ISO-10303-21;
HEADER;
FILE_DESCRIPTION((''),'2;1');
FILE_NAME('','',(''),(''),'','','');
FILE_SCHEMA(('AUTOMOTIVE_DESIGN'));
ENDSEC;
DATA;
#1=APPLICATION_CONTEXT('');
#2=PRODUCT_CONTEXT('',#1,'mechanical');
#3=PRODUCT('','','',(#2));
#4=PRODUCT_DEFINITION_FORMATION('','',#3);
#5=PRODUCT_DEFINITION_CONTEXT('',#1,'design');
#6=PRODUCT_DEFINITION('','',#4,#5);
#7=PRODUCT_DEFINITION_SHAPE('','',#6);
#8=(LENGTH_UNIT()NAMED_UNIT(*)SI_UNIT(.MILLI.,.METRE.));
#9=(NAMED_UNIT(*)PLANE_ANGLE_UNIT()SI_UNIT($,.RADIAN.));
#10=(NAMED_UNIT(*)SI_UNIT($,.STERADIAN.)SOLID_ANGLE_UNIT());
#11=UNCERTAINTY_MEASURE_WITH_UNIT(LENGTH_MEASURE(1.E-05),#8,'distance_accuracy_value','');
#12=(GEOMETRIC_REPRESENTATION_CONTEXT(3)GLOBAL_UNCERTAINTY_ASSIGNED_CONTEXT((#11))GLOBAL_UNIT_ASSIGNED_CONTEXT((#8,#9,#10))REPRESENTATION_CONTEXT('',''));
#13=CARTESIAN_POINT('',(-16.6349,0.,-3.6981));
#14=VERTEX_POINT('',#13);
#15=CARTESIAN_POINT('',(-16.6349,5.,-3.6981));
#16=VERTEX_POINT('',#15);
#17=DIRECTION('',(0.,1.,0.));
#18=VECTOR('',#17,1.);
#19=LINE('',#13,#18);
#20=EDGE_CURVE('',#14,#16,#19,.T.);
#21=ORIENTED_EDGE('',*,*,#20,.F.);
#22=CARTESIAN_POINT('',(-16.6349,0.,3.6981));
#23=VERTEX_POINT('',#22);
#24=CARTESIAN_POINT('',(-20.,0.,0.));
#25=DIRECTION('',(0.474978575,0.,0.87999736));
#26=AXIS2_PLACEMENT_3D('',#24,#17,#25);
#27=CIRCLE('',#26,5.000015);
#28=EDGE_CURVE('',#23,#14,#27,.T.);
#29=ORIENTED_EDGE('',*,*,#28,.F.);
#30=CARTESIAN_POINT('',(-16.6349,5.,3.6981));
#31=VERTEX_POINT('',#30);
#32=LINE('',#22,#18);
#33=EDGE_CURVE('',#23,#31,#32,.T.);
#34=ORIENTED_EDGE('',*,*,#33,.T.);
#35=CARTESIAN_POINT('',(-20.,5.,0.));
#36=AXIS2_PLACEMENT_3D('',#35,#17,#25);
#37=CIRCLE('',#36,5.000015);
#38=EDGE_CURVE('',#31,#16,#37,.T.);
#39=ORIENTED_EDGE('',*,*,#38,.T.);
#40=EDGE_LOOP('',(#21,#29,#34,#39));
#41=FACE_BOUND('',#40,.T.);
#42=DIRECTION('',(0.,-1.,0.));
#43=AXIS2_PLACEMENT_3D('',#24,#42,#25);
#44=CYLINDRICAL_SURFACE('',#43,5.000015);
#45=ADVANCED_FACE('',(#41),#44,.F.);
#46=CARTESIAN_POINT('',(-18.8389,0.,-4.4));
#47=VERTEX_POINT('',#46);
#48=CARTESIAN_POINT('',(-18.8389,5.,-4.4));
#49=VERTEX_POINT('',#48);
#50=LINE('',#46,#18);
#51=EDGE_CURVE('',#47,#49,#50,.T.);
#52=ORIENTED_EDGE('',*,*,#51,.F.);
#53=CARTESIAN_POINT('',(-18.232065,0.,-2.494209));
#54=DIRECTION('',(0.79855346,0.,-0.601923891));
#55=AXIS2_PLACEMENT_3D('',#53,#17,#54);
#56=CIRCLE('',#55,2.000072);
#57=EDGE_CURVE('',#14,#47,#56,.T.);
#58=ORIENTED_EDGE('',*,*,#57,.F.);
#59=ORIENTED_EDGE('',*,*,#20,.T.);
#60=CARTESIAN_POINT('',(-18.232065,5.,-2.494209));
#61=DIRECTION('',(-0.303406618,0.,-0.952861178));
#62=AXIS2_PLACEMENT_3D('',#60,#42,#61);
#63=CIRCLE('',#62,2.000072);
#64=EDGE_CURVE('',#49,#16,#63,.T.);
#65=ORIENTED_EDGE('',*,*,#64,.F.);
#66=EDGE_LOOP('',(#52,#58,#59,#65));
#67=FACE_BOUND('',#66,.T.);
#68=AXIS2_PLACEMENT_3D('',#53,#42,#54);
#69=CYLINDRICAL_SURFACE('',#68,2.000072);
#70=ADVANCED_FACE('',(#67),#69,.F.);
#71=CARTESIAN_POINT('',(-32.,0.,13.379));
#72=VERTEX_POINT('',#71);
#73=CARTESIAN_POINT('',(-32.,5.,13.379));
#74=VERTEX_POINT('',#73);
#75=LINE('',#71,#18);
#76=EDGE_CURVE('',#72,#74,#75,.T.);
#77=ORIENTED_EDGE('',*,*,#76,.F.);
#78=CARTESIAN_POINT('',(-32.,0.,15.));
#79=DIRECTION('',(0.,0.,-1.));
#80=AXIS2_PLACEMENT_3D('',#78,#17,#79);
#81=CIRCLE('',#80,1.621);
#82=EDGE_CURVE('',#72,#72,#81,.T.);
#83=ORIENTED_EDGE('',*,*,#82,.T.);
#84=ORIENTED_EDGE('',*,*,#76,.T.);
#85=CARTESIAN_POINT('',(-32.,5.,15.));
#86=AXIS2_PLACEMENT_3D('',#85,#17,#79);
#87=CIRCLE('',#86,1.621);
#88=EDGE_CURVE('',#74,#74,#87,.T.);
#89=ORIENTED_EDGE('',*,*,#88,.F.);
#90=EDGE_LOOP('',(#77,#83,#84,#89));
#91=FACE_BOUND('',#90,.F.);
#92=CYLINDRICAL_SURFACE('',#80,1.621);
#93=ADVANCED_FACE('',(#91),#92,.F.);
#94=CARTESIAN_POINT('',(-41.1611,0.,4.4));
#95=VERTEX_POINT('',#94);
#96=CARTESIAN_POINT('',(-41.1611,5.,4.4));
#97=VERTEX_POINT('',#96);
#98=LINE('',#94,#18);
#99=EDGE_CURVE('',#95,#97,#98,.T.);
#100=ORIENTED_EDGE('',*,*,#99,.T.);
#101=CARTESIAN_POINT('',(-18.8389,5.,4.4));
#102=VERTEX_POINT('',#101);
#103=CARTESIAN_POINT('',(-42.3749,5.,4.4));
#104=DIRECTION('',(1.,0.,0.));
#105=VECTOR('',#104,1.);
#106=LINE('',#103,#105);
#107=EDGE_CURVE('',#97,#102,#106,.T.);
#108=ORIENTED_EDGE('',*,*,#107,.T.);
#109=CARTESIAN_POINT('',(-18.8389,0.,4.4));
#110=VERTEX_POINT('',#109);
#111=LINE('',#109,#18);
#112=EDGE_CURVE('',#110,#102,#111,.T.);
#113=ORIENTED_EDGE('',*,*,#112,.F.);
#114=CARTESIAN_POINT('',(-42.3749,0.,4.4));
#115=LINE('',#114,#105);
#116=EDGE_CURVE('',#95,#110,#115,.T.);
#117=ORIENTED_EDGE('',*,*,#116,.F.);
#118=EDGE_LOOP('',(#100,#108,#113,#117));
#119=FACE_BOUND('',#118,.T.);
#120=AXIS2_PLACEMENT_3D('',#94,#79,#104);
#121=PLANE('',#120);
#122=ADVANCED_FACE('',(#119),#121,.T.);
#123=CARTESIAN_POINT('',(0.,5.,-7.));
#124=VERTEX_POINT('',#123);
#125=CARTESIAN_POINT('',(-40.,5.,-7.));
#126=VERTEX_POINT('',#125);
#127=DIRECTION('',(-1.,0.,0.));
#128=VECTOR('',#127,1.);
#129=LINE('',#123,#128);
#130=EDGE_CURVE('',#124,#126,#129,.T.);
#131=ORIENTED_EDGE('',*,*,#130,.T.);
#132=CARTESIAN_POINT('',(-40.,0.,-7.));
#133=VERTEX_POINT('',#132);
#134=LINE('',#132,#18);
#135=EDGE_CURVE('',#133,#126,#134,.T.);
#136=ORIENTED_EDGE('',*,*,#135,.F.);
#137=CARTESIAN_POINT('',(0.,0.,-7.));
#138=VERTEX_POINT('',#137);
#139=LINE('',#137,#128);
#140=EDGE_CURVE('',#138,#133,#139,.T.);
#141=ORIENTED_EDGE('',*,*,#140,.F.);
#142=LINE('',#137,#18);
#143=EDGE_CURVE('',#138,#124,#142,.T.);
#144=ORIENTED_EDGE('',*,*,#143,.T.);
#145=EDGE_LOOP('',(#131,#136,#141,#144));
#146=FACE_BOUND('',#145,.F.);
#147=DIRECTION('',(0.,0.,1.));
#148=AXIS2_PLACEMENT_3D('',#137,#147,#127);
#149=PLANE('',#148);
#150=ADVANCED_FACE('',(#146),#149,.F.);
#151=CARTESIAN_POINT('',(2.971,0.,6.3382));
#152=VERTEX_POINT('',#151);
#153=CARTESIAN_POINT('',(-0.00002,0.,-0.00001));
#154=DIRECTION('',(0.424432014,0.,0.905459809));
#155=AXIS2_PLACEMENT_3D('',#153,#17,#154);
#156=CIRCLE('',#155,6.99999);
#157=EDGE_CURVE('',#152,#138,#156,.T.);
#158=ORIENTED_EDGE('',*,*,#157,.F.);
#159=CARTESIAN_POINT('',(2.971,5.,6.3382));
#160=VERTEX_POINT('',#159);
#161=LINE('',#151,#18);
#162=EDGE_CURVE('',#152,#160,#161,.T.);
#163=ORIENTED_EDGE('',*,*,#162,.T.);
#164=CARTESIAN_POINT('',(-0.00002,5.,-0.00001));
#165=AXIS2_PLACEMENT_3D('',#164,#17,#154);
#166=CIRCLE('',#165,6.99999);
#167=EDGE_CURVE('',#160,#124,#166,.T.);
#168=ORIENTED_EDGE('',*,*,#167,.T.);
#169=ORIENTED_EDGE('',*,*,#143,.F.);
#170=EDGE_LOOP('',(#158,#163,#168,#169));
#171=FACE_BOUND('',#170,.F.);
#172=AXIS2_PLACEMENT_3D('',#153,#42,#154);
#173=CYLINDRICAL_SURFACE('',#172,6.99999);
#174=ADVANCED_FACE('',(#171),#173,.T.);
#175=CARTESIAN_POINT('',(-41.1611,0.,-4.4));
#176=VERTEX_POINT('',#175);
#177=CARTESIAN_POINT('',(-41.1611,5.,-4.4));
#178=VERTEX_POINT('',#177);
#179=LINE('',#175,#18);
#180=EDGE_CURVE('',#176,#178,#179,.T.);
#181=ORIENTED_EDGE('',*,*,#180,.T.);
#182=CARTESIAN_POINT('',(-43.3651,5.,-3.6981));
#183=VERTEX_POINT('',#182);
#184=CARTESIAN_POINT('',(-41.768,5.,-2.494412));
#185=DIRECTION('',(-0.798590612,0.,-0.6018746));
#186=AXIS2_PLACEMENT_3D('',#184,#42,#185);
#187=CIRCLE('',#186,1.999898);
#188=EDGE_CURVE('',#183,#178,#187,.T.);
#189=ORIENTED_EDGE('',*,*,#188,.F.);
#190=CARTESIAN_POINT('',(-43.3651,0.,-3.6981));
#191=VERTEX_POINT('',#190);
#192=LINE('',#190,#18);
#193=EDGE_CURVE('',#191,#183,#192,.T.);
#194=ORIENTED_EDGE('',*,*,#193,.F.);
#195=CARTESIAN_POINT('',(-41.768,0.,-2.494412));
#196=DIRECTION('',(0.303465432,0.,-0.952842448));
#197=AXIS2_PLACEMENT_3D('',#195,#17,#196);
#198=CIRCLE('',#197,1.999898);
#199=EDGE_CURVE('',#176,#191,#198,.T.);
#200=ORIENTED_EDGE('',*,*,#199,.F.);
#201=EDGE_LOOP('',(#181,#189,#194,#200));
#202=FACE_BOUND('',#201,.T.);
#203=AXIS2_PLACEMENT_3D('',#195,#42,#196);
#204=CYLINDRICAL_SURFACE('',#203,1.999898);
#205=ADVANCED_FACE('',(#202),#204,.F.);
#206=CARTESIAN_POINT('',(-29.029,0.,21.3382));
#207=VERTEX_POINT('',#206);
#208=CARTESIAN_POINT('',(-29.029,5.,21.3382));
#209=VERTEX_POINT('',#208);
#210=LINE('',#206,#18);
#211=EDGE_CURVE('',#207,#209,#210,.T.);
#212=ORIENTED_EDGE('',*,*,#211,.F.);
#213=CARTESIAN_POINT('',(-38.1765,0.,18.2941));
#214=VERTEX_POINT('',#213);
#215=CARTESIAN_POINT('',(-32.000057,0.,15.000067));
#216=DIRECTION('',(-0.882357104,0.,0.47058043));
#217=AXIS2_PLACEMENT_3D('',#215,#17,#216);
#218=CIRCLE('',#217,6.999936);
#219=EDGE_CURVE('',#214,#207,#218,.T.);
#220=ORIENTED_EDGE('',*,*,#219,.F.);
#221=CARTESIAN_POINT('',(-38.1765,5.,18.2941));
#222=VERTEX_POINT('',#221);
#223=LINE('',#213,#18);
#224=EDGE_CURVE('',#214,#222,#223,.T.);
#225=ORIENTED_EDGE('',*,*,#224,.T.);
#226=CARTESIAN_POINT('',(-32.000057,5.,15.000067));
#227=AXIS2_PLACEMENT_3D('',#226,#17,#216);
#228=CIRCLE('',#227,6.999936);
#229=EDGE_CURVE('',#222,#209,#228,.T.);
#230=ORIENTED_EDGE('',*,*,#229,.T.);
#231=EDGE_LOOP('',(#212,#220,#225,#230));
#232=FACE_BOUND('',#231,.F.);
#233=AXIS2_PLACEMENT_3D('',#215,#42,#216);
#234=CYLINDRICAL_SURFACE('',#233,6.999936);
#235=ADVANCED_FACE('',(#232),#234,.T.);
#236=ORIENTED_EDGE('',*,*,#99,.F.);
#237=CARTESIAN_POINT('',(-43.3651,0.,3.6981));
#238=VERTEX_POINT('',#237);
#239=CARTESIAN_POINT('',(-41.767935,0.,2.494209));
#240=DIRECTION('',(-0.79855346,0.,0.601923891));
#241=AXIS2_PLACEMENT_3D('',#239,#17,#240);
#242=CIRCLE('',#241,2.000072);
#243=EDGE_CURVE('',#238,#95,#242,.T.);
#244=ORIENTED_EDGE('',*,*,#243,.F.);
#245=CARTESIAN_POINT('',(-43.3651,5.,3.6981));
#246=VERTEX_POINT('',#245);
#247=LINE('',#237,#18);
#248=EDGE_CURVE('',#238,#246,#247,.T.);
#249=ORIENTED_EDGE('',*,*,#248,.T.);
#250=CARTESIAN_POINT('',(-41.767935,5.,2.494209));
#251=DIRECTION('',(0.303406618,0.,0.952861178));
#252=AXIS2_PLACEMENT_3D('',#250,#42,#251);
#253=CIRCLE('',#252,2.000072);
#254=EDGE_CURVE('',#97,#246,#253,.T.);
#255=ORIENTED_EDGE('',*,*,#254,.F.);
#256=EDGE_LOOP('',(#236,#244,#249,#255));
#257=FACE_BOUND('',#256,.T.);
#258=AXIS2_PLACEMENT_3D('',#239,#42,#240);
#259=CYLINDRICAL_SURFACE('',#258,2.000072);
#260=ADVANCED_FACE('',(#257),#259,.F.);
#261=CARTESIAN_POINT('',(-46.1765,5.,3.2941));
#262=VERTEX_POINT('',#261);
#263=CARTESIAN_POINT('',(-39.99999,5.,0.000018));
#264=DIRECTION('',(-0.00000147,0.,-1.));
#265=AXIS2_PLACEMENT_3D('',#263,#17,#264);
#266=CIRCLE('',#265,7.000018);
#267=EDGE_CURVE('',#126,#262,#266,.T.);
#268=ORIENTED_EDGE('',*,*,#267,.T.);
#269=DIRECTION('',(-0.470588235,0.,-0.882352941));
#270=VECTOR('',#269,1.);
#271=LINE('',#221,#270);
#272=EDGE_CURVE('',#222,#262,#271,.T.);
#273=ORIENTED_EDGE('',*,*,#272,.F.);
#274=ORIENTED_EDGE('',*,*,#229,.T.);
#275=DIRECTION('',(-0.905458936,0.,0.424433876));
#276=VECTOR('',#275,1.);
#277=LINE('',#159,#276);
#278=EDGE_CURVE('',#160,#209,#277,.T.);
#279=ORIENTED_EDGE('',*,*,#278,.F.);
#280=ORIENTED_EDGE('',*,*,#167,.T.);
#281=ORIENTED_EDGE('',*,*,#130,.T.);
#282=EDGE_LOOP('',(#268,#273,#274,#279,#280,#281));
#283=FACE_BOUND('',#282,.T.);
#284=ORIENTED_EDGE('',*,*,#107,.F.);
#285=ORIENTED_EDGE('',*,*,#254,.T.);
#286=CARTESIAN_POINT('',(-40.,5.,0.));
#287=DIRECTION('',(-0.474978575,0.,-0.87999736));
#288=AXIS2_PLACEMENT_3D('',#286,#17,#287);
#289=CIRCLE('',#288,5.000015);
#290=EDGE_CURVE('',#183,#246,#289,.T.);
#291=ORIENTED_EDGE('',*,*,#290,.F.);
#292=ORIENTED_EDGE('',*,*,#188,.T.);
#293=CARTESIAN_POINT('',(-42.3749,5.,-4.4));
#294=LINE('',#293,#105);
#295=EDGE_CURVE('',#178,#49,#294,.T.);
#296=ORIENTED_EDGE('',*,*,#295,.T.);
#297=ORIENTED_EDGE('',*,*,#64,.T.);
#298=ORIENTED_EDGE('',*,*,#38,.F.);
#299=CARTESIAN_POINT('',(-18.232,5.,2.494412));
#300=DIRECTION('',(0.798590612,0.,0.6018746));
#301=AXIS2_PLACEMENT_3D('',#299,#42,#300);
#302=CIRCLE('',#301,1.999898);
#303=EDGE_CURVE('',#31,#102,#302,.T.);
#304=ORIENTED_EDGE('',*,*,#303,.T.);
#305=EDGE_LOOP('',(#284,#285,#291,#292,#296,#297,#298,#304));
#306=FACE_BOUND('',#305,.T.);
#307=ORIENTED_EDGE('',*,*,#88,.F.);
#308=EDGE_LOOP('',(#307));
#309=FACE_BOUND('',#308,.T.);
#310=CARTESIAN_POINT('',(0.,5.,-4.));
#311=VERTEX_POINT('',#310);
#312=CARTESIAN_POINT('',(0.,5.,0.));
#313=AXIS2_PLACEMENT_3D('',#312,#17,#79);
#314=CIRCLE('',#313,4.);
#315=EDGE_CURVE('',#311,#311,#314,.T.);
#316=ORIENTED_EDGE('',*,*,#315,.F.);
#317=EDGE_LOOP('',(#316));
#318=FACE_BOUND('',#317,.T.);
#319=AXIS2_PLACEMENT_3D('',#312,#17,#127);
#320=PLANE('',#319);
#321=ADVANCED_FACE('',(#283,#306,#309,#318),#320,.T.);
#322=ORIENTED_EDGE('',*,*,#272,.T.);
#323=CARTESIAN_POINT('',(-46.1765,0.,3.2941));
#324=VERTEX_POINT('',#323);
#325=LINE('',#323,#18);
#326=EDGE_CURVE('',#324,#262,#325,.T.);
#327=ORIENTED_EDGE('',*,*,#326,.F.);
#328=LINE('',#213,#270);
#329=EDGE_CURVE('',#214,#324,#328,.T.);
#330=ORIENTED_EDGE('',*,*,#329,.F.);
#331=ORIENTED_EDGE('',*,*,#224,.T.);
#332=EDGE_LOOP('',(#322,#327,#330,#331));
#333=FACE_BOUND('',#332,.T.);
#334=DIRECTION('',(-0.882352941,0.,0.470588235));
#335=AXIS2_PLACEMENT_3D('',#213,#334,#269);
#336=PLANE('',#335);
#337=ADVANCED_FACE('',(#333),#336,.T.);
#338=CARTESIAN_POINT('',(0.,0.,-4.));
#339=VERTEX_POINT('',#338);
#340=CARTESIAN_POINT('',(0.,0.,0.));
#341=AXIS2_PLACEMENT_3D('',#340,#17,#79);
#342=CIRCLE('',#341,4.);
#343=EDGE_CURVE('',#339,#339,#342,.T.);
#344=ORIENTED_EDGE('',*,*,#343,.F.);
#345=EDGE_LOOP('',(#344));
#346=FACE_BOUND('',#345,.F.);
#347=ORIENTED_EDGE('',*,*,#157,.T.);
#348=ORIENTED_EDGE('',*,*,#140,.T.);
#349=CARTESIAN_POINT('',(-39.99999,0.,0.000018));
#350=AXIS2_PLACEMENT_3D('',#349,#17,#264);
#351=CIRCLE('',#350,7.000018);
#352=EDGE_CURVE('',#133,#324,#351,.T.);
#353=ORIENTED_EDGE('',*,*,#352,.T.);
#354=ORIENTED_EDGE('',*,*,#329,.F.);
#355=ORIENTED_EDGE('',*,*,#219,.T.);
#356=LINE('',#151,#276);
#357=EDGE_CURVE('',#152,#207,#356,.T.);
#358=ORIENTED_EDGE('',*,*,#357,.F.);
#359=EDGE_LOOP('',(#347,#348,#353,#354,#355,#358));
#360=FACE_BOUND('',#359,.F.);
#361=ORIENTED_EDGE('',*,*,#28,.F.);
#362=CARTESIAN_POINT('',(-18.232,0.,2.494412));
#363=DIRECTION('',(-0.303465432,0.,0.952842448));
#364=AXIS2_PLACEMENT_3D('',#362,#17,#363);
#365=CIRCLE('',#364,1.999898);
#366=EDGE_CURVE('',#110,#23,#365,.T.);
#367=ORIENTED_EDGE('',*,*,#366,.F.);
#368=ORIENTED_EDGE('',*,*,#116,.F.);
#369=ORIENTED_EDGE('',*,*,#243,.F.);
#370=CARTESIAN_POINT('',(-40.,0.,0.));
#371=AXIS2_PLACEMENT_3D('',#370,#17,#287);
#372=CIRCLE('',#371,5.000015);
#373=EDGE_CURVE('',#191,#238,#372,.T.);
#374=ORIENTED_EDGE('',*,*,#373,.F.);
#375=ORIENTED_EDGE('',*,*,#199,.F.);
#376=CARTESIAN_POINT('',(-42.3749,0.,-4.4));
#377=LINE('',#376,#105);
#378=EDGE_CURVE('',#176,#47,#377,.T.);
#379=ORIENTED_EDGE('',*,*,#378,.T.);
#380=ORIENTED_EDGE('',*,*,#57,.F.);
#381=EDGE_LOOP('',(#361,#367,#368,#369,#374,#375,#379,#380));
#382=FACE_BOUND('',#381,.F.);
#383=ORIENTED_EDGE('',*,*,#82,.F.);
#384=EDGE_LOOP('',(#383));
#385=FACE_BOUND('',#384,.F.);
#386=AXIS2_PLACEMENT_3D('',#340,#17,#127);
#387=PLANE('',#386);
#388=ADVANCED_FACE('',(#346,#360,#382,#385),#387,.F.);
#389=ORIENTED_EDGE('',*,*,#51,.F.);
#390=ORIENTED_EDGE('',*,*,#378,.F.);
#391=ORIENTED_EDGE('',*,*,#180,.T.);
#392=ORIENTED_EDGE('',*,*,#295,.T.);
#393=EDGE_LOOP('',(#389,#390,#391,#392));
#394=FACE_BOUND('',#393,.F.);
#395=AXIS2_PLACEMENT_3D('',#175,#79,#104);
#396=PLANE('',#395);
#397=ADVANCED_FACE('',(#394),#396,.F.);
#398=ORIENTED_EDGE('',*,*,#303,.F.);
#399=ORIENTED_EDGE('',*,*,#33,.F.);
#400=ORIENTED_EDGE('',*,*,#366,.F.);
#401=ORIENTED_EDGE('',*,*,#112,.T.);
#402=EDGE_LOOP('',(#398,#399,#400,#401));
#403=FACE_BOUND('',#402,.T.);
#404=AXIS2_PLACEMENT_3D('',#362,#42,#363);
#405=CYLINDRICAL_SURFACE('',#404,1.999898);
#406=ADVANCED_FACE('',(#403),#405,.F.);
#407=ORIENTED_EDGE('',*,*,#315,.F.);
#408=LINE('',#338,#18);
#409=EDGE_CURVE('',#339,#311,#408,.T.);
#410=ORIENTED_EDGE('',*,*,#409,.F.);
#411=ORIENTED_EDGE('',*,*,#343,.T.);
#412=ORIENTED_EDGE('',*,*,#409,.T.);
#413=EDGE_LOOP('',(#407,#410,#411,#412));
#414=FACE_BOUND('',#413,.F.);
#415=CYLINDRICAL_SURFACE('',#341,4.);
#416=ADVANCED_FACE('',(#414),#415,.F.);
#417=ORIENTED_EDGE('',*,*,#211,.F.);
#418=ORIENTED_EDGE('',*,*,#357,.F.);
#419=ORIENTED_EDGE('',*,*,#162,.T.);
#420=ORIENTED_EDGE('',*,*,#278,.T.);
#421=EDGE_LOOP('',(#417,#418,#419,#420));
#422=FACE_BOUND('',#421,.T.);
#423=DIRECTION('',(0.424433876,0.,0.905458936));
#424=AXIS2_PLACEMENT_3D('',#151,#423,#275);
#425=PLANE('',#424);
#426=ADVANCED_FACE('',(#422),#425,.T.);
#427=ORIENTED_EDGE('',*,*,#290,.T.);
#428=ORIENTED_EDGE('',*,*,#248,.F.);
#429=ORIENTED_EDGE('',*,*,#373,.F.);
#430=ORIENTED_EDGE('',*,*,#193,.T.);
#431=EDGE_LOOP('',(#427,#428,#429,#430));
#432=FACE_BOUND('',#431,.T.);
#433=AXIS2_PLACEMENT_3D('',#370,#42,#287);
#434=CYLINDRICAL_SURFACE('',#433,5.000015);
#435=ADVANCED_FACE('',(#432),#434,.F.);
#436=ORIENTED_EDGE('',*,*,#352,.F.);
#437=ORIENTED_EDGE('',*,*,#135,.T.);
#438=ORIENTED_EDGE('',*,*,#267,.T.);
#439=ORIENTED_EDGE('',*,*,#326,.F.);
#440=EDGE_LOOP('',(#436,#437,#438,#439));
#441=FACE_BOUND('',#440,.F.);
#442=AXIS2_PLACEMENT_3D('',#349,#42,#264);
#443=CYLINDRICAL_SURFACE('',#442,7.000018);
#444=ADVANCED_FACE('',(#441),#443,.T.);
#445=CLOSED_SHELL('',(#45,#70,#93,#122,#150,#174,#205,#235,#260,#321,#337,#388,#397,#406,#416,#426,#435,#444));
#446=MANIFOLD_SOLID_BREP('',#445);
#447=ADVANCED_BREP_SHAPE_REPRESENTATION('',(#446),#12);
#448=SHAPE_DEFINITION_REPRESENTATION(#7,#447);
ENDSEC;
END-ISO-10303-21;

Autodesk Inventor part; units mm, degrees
ref_plane "YZ Plane" through (0, 0, 0) normal (1, 0, 0) x (0, 1, 0)
ref_plane "XZ Plane" through (0, 0, 0) normal (0, 1, 0) x (-1, 0, 0)
ref_plane "XY Plane" through (0, 0, 0) normal (0, 0, 1) x (1, 0, 0)
sketch "Sketch1" plane through (0, 0, 0) normal (0, 1, 0) x (-1, 0, 0)
  arc A0 (-2.971, 6.3382) -> (0, -7) centre (0, 0) ccw
  line L0 (0, 0) -> (40, 0) construction
  arc A1 (42.3749, -4.4) -> (42.3749, 4.4) centre (40, 0) ccw
  circle A2 centre (20, 0) radius 20 construction
  circle A3 centre (0, 0) radius 40 construction
  line L1 (42.3749, 4.4) -> (17.6251, 4.4)
  line L2 (0, 0) -> (10, -17.3205) construction
  line L3 (10, -17.3205) -> (20, -34.641) construction
  arc A4 (17.6251, 4.4) -> (17.6251, -4.4) centre (20, 0) ccw
  line L4 (42.3749, -4.4) -> (17.6251, -4.4)
  line L5 (30, 4.4) -> (30, -4.4) construction
  circle A5 centre (40, 0) radius 7 construction
  circle A6 centre (0, 0) radius 7 construction
  circle A7 centre (32, 15) radius 7 construction
  line L6 (-2.971, 6.3382) -> (29.029, 21.3382)
  line L7 (38.1765, 18.2941) -> (46.1765, 3.2941)
  line L8 (0, -7) -> (40, -7)
  arc A8 (40, -7) -> (46.1765, 3.2941) centre (40, 0) ccw
  arc A9 (38.1765, 18.2941) -> (29.029, 21.3382) centre (32, 15) ccw
  arc A10 (43.3651, 3.6981) -> (41.1611, 4.4) centre (41.768, 2.4943) ccw
  arc A11 (41.1611, -4.4) -> (43.3651, -3.6981) centre (41.768, -2.4943) ccw
  arc A12 (18.8389, 4.4) -> (16.6349, 3.6981) centre (18.232, 2.4943) ccw
  arc A13 (16.6349, -3.6981) -> (18.8389, -4.4) centre (18.232, -2.4943) ccw
  circle A14 centre (0, 0) radius 4 construction
  point P0 (16.6349, -3.6981)
  point P1 (16.6349, 3.6981)
  point P2 (18.8389, 4.4)
  point P3 (43.3651, -3.6981)
  point P4 (41.1611, -4.4)
  point P5 (18.8389, -4.4)
  dimension "d0" = 32
  dimension "d1" = 15
  dimension "d2" = 20
  dimension "d3" = 60
  dimension "d4" = 20
  dimension "d5" = 10
  dimension "d6" = 8.8
  dimension "d7" = 20
  dimension "d9" = 14
  dimension "d10" = 2
  dimension "d20" = 8
extrude "Extrusion1" add sketch "Sketch1" along normal blind 5
hole "Phi8.0-h7" at (0, 0, 0) direction (0, 1, 0) diameter 8 end through all
hole "M4" at (-32, 0, 15) direction (0, 1, 0) diameter 3.242 end through all thread size "M4x0.7" class "6H" standard "ANSI Metric M Profile"
equation "\"d7\" = d4"
equation "\"d13\" = d20"
properties part number "ParallelLinksDriveFrame" material "Aluminum 7075"
